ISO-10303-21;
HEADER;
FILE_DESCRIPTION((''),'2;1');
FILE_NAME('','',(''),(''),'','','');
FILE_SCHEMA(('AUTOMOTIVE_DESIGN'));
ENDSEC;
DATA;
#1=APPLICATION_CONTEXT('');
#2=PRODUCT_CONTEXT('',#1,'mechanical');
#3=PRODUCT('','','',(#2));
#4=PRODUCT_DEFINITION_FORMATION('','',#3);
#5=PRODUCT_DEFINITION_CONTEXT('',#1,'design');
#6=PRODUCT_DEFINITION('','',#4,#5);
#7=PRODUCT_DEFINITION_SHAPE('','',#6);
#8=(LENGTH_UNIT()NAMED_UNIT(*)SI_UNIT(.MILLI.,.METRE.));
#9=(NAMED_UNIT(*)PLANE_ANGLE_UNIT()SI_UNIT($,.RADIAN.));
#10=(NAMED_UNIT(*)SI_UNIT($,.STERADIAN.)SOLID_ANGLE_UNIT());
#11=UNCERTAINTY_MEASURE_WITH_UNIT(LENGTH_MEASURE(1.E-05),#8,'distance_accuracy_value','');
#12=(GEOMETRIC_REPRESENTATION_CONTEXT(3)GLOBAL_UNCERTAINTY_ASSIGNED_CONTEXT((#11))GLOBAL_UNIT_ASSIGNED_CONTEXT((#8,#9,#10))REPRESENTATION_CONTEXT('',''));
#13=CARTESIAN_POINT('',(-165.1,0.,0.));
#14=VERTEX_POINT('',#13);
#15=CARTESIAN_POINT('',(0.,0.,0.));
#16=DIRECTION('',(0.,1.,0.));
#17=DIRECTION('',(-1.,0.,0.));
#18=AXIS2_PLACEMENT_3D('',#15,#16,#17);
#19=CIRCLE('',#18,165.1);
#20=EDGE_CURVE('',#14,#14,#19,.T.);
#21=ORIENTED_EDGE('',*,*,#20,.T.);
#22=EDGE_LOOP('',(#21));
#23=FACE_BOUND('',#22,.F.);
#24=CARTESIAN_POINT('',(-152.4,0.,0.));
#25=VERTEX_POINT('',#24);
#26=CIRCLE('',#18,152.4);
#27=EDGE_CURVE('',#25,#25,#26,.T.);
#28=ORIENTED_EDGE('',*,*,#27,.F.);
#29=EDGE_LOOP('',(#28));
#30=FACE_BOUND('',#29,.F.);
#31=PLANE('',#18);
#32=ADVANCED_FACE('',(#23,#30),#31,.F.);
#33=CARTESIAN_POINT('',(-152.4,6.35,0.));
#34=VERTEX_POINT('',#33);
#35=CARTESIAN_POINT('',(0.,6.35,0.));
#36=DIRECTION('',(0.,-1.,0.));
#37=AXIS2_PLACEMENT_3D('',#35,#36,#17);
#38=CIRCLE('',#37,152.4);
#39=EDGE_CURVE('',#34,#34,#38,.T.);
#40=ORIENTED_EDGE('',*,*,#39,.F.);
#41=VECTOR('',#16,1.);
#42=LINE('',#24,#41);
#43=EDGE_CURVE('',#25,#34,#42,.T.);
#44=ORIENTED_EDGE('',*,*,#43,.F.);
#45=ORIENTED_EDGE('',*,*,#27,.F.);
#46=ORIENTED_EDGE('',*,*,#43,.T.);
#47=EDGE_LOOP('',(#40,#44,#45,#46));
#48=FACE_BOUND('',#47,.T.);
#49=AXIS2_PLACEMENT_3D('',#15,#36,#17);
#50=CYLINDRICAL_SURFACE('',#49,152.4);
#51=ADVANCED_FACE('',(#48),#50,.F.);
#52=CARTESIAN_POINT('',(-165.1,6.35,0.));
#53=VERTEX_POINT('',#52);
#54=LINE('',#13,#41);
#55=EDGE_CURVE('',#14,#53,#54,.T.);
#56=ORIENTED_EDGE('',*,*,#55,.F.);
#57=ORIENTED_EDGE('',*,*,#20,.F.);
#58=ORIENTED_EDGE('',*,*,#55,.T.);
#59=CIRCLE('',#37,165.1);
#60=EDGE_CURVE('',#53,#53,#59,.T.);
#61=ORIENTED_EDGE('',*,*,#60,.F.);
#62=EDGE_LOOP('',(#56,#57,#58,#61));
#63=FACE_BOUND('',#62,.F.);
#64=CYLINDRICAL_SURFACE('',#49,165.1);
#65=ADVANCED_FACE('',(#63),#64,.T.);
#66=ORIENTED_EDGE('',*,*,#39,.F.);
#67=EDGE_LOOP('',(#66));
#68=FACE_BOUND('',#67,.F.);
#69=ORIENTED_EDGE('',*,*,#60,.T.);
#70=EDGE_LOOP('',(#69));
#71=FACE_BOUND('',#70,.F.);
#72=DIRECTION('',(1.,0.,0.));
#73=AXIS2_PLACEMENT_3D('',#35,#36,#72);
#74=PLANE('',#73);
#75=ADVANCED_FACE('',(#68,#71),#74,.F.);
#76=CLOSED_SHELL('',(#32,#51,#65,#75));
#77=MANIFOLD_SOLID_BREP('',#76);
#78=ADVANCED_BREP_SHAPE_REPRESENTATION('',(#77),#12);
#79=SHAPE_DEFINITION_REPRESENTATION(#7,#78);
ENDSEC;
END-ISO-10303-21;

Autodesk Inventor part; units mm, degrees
sketch "Sketch1" plane through (0, 0, 0) normal (0, 1, 0) x (-1, 0, 0)
  circle A0 centre (0, 0) radius 152.4
  circle A1 centre (0, 0) radius 165.1
  dimension "d0" = 304.8
  dimension "d1" = 330.2
extrude "Extrusion1" add sketch "Sketch1" along normal blind 152.4
sketch "Sketch2" plane through (0, 0, 0) normal (1, 0, 0) x (0, 1, 0)
  circle A0 centre (100.6077, 0) radius 25.4
  point P0 (0, 0)
  dimension "d4" = 50.8
extrude "Extrusion2" add sketch "Sketch2" along normal mid plane 889
sketch "Sketch4" plane through (0, 152.4, 0) normal (0, 1, 0) x (1, 0, 0)
  circle A0 centre (0, 0) radius 152.4
extrude "Extrusion4" cut sketch "Sketch4" against normal through all
sketch "Sketch5" plane through (0, 152.4, 0) normal (0, 1, 0) x (1, 0, 0)
  circle A0 centre (0, 0) radius 165.1
extrude "Extrusion5" add sketch "Sketch5" along normal blind 50.8 draft -50
ref_plane "Work Plane2" through (75.376, -18.8821, -44.9646) normal (1, 0, 0) x (0, 1, 0)
ref_plane "Work Plane5" through (0, 25.4, 165.1) normal (0, 0, 1) x (1, 0, 0)
sketch "Sketch11" plane through (0, 25.4, 165.1) normal (0, 0, 1) x (1, 0, 0)
  circle A0 centre (0, 75.2094) radius 25.4
  line L0 (165.1, -25.4) -> (-165.1, -25.4) projected
  point P0 (0, -25.4)
  dimension "d31" = 50.8
  dimension "d32" = 100.6094
extrude "Extrusion11" add sketch "Sketch11" along normal blind 280.543
ref_plane "Work Plane6" through (0, 25.4, -165.1) normal (0, 0, 1) x (1, 0, 0)
sketch "Sketch12" plane through (0, 25.4, -165.1) normal (0, 0, 1) x (1, 0, 0)
  circle A0 centre (0, 75.2094) radius 25.4
  line L0 (165.1, -25.4) -> (-165.1, -25.4) projected
  point P0 (0, -25.4)
  dimension "d36" = 50.8
  dimension "d37" = 100.6094
extrude "Extrusion12" add sketch "Sketch12" against normal blind 280.543
ref_plane "Work Plane10" through (0, 152.4, 0) normal (0, -1, 0) x (1, 0, 0)
ref_plane "Work Plane9" through (0, 63.5, 0) normal (0, -1, 0) x (1, 0, 0)
sketch "Sketch13" plane through (0, 152.4, 0) normal (0, -1, 0) x (1, 0, 0)
  line L0 (-199.2875, -201.2037) -> (234.7376, -201.2037)
  line L1 (234.7376, -201.2037) -> (234.7376, 210.7848)
  line L2 (234.7376, 210.7848) -> (-199.2875, 210.7848)
  line L3 (-199.2875, 210.7848) -> (-199.2875, -201.2037)
  point P0 (0, 0)
extrude "Extrusion13" cut sketch "Sketch13" against normal blind 127
ref_plane "Work Plane11" through (0, 63.5, 0) normal (0, -1, 0) x (1, 0, 0)
sketch "Sketch15" plane through (0, 63.5, 0) normal (0, -1, 0) x (1, 0, 0)
  line L0 (-509.2014, 528.9036) -> (494.7202, 528.9036)
  line L1 (494.7202, 528.9036) -> (494.7202, -498.4488)
  line L2 (494.7202, -498.4488) -> (-509.2014, -498.4488)
  line L3 (-509.2014, -498.4488) -> (-509.2014, 528.9036)
  point P0 (0, 0)
extrude "Extrusion15" cut sketch "Sketch15" against normal blind 254
ref_plane "Work Plane12" through (0, 25.4, 0) normal (0, -1, 0) x (1, 0, 0)
sketch "Sketch16" plane through (0, 25.4, 0) normal (0, -1, 0) x (1, 0, 0)
  line L0 (-189.4244, 211.7722) -> (231.9916, 211.7722)
  line L1 (231.9916, 211.7722) -> (231.9916, -229.8633)
  line L2 (231.9916, -229.8633) -> (-189.4244, -229.8633)
  line L3 (-189.4244, -229.8633) -> (-189.4244, 211.7722)
  point P0 (0, 0)
extrude "Extrusion16" cut sketch "Sketch16" against normal blind 254
ref_plane "Work Plane14" through (-0.824, -18.8821, -44.9646) normal (1, 0, 0) x (0, 1, 0)
ref_plane "Work Plane13" through (164.276, -18.8821, -44.9646) normal (1, 0, 0) x (0, 1, 0)
ref_plane "Work Plane15" through (0, 25.4, 0) normal (0, -1, 0) x (1, 0, 0)
sketch "Sketch17" plane through (0, 25.4, 0) normal (0, -1, 0) x (1, 0, 0)
  line L0 (-206.305, -203.3787) -> (218.0102, -203.3787)
  line L1 (218.0102, -203.3787) -> (218.0102, 226.7892)
  line L2 (218.0102, 226.7892) -> (-206.305, 226.7892)
  line L3 (-206.305, 226.7892) -> (-206.305, -203.3787)
  point P0 (0, 0)
extrude "Extrusion17" cut sketch "Sketch17" along normal blind 19.05
ref_plane "Work Plane8" through (0, 0, 0) normal (0, -1, 0) x (1, 0, 0)
properties part number "UpperSailCapBottom-ver1-1111-2021"
